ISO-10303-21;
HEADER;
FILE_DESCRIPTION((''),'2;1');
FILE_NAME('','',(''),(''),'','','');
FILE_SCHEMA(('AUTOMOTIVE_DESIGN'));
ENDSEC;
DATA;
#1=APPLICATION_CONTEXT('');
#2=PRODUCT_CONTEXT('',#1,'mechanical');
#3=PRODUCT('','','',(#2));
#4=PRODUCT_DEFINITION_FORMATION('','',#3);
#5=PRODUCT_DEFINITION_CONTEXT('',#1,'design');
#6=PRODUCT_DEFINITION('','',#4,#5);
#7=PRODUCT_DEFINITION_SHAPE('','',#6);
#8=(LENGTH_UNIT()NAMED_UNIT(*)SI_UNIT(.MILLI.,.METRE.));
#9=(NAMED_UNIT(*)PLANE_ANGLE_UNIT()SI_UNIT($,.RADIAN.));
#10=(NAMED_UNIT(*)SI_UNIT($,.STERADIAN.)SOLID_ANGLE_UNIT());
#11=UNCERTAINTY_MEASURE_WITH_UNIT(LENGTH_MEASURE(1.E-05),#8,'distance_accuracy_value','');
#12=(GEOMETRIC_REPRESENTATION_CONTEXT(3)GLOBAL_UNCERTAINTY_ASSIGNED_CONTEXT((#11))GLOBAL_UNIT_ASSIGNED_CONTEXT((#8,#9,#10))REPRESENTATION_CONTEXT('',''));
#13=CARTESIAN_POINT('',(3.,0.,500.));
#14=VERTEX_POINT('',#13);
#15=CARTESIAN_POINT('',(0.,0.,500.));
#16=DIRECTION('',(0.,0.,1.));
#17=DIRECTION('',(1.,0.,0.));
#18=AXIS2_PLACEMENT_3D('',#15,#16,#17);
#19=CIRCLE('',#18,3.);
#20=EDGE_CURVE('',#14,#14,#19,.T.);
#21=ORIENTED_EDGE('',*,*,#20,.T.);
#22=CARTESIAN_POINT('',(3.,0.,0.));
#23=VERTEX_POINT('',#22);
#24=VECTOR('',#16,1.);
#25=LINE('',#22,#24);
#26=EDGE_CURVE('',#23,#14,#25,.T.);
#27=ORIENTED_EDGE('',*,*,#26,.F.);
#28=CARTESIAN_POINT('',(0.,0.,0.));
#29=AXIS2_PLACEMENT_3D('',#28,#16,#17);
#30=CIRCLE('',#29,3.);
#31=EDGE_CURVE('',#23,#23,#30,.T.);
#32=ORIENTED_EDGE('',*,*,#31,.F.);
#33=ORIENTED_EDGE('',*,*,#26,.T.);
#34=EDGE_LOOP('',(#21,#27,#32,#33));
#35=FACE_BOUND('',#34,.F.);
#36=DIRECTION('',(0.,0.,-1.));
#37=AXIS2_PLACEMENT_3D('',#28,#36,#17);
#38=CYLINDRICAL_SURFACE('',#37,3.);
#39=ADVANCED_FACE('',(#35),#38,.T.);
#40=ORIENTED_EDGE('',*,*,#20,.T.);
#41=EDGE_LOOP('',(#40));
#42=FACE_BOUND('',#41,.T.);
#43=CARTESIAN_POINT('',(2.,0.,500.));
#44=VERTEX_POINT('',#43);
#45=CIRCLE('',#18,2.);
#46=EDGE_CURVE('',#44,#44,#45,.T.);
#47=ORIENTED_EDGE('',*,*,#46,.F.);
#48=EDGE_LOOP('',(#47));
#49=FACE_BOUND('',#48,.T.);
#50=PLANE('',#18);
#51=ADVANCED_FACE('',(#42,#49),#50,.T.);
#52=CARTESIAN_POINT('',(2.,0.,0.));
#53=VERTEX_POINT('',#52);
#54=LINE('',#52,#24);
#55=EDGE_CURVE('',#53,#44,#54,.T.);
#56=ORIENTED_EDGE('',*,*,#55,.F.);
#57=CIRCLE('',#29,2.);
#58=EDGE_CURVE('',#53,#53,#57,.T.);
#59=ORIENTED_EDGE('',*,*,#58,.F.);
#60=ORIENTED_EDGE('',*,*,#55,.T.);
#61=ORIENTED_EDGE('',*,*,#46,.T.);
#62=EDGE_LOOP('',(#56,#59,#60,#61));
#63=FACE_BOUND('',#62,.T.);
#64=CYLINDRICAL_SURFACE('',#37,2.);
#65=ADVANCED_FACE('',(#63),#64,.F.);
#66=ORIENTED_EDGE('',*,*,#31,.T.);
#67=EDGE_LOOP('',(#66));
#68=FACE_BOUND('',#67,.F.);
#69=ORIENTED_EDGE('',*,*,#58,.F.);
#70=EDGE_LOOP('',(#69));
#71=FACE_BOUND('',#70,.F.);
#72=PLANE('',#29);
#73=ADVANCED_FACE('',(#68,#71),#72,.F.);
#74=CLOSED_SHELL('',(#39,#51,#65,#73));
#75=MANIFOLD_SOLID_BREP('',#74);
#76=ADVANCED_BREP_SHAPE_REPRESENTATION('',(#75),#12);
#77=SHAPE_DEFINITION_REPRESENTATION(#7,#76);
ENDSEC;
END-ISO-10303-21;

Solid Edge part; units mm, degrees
sketch "Sketch1" plane through (0, 0, 0) normal (0, 0, 1) x (1, 0, 0)
  circle A0 centre (0, 0) radius 3
  circle A1 centre (0, 0) radius 2
extrude "Protrusion1" add sketch "Sketch1" along normal blind 500
